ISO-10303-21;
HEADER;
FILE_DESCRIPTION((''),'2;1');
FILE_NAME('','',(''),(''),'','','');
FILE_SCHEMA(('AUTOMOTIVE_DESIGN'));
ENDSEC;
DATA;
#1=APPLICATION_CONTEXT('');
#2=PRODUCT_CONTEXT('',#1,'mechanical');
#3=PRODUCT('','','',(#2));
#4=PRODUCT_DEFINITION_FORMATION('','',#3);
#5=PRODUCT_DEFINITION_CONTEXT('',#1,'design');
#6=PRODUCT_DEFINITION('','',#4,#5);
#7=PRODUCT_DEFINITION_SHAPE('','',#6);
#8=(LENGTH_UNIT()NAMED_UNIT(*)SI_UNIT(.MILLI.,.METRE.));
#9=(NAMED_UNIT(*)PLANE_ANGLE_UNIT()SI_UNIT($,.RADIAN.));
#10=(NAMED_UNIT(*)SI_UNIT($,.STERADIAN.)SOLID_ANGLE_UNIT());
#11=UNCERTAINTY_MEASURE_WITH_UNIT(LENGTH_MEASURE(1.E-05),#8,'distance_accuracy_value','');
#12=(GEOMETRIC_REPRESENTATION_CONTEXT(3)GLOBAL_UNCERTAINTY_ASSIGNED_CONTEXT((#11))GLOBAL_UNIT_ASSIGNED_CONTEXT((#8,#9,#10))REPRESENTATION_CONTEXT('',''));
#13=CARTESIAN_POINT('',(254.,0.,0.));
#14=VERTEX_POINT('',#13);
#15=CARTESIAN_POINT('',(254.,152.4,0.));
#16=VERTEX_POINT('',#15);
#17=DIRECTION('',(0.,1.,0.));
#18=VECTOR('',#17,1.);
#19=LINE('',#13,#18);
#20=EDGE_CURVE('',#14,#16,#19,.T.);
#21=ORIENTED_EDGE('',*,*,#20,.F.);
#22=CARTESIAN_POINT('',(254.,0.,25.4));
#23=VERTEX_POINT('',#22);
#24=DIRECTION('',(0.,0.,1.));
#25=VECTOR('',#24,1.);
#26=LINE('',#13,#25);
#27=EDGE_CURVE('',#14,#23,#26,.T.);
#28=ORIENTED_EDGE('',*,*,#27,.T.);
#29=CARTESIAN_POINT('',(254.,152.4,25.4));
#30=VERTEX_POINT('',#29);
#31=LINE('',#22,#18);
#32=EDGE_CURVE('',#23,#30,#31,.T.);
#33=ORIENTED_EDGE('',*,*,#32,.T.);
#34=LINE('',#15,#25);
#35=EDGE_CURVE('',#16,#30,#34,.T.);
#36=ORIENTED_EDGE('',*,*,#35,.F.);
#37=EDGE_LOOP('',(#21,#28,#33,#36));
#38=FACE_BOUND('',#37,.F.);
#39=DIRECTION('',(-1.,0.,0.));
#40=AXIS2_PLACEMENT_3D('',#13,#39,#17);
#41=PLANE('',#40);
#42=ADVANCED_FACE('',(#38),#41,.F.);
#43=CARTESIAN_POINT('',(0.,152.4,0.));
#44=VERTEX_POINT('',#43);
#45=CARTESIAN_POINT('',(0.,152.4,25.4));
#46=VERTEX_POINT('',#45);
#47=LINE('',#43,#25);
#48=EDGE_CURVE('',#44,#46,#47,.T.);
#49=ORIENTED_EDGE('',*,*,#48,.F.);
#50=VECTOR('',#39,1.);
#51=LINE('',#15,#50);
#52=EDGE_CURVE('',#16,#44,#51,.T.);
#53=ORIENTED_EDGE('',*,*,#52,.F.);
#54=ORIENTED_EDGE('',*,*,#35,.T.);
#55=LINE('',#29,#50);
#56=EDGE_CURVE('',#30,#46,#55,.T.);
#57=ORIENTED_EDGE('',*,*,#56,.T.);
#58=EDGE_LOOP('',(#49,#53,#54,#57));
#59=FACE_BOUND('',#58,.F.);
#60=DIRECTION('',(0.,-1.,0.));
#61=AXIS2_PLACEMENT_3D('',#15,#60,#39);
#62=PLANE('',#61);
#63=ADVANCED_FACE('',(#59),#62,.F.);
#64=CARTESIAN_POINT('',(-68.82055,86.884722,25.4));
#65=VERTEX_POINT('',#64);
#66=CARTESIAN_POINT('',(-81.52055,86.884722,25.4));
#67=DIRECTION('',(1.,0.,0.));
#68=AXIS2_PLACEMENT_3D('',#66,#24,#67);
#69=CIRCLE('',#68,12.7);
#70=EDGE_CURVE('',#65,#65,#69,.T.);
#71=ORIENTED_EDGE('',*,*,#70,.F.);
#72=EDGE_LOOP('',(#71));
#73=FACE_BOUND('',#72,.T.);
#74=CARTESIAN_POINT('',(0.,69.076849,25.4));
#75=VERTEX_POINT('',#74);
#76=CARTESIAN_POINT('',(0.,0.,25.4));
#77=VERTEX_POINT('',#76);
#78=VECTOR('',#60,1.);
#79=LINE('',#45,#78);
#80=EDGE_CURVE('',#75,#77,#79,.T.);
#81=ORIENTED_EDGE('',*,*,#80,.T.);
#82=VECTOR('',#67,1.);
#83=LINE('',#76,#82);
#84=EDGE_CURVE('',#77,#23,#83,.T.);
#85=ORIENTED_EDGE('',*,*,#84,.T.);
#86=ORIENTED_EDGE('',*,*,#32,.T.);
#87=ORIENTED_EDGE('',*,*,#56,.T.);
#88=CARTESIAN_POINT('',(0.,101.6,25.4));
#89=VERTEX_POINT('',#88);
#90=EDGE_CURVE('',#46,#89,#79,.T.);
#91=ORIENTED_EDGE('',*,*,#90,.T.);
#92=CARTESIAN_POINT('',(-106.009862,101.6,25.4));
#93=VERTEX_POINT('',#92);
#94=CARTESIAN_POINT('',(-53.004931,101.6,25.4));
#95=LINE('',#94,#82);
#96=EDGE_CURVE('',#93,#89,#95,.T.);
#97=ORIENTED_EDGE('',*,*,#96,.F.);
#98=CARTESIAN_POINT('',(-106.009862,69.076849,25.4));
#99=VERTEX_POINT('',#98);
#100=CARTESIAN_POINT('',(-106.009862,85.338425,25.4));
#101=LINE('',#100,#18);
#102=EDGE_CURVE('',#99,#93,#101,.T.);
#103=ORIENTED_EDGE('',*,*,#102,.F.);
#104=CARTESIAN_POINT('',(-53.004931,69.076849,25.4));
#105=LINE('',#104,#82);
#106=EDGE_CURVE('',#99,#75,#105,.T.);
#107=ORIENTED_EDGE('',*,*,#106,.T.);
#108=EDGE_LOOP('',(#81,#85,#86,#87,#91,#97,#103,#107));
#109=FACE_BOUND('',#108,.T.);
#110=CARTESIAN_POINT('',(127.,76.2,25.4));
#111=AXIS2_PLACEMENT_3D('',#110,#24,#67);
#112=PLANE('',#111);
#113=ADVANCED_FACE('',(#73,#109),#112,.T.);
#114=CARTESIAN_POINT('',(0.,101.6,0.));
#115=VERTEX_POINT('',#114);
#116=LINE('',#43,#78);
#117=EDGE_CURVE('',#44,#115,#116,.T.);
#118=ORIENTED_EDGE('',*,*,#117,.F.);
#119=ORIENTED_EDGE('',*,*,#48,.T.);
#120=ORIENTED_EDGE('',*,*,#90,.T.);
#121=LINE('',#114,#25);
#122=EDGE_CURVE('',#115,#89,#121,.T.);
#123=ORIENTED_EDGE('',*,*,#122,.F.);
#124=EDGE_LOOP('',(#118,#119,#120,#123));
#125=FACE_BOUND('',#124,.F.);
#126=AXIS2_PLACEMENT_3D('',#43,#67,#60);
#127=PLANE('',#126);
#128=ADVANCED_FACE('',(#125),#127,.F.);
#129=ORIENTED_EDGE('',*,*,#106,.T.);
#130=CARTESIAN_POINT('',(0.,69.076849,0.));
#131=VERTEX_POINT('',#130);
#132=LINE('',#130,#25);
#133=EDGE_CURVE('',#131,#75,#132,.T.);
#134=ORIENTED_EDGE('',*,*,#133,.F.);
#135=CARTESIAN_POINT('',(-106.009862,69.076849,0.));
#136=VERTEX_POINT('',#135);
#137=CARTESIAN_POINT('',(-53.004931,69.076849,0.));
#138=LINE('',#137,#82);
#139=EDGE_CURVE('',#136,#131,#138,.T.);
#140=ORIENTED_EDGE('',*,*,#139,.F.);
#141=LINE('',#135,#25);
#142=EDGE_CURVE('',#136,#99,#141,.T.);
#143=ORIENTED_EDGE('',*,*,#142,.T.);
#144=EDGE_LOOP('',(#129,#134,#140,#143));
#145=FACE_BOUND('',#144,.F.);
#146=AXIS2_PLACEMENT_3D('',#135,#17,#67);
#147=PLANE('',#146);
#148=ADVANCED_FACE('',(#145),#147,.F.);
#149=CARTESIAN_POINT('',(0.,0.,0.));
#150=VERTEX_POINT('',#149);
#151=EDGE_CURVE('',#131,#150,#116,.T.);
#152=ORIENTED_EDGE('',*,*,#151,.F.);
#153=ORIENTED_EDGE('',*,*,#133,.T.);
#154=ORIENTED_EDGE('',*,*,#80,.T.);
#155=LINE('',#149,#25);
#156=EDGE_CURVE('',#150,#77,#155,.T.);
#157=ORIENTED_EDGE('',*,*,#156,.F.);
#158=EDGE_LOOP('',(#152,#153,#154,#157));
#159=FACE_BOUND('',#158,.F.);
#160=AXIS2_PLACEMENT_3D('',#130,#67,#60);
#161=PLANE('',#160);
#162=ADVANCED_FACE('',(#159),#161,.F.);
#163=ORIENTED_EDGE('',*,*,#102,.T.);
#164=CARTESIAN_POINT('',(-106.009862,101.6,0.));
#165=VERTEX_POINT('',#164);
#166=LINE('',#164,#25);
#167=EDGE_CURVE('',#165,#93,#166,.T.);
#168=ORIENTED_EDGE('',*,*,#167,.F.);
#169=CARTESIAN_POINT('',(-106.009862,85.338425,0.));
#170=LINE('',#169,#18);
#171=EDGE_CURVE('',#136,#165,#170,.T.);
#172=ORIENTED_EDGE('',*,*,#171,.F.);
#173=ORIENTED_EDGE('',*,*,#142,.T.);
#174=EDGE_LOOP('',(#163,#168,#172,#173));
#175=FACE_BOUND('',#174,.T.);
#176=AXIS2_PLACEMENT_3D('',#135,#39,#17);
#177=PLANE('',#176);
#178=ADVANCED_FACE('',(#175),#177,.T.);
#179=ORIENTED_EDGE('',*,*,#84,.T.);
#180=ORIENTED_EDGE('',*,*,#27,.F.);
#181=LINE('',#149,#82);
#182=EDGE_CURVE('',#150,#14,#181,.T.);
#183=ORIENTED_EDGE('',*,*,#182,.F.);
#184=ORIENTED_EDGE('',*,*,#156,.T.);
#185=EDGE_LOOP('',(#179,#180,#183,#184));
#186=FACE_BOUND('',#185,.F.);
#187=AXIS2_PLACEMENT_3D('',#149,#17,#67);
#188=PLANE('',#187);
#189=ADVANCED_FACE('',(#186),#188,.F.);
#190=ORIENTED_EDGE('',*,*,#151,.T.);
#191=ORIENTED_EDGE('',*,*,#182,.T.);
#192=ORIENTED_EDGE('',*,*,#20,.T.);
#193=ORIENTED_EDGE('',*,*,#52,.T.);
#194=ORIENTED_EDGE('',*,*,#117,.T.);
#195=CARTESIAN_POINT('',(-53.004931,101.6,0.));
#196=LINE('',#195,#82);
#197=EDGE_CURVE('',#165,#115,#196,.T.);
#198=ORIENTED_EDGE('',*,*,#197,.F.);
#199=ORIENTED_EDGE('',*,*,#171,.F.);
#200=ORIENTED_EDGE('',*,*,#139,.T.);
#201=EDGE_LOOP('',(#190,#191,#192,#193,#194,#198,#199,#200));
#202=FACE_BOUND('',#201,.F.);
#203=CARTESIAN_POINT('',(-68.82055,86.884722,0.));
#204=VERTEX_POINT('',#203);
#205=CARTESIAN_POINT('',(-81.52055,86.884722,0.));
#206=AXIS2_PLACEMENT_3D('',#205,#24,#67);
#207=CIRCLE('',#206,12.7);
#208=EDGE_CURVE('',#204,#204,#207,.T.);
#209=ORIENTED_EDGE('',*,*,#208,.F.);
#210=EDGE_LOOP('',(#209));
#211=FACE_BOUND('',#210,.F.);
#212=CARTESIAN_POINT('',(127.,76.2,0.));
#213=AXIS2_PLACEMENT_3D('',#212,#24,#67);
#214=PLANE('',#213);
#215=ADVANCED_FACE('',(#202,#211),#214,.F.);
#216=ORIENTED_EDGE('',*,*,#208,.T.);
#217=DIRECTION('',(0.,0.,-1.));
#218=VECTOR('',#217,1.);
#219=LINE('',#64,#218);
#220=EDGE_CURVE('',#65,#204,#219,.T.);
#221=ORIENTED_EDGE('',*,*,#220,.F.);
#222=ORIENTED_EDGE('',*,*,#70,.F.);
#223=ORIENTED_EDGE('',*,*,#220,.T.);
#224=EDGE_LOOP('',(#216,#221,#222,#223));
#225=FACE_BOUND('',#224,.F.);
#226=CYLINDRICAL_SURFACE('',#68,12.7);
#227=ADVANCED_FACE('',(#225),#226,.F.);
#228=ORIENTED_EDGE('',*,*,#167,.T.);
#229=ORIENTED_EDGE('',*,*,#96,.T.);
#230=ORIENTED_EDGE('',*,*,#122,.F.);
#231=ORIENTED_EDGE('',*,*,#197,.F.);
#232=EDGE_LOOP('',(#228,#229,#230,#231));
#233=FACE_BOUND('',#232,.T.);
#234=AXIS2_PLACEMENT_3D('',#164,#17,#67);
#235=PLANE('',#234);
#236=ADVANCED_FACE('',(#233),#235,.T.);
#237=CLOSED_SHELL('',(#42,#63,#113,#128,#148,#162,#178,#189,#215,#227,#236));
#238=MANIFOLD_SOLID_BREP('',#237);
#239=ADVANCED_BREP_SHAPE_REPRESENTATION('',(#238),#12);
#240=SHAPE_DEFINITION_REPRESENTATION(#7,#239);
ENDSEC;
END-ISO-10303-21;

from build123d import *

# Parameters (mm, degrees)
F0_W     = 106.009863
F0_H     = 32.523151
F1_DEPTH = 25.4
F2_R     = 12.7
F3_DEPTH = 25.4


with BuildPart() as f1:
    # F0 (on Top) → F1 (new body)
    with BuildSketch(Plane.XY):
        Polygon((0, 69.076849), (0, 0), (254, 0), (254, 152.4), (0, 152.4), (0, 101.6), align=None)
        with Locations((-53.004931, 85.338425)):
            Rectangle(F0_W, F0_H)
    extrude(amount=F1_DEPTH)

    # F2 (on face) → F3 (cut)
    with BuildSketch(Plane.XY.offset(25.4)):
        with Locations((-81.52055, 86.884722)):
            Circle(F2_R)
    extrude(amount=-F3_DEPTH, mode=Mode.SUBTRACT)


solid = f1.part
